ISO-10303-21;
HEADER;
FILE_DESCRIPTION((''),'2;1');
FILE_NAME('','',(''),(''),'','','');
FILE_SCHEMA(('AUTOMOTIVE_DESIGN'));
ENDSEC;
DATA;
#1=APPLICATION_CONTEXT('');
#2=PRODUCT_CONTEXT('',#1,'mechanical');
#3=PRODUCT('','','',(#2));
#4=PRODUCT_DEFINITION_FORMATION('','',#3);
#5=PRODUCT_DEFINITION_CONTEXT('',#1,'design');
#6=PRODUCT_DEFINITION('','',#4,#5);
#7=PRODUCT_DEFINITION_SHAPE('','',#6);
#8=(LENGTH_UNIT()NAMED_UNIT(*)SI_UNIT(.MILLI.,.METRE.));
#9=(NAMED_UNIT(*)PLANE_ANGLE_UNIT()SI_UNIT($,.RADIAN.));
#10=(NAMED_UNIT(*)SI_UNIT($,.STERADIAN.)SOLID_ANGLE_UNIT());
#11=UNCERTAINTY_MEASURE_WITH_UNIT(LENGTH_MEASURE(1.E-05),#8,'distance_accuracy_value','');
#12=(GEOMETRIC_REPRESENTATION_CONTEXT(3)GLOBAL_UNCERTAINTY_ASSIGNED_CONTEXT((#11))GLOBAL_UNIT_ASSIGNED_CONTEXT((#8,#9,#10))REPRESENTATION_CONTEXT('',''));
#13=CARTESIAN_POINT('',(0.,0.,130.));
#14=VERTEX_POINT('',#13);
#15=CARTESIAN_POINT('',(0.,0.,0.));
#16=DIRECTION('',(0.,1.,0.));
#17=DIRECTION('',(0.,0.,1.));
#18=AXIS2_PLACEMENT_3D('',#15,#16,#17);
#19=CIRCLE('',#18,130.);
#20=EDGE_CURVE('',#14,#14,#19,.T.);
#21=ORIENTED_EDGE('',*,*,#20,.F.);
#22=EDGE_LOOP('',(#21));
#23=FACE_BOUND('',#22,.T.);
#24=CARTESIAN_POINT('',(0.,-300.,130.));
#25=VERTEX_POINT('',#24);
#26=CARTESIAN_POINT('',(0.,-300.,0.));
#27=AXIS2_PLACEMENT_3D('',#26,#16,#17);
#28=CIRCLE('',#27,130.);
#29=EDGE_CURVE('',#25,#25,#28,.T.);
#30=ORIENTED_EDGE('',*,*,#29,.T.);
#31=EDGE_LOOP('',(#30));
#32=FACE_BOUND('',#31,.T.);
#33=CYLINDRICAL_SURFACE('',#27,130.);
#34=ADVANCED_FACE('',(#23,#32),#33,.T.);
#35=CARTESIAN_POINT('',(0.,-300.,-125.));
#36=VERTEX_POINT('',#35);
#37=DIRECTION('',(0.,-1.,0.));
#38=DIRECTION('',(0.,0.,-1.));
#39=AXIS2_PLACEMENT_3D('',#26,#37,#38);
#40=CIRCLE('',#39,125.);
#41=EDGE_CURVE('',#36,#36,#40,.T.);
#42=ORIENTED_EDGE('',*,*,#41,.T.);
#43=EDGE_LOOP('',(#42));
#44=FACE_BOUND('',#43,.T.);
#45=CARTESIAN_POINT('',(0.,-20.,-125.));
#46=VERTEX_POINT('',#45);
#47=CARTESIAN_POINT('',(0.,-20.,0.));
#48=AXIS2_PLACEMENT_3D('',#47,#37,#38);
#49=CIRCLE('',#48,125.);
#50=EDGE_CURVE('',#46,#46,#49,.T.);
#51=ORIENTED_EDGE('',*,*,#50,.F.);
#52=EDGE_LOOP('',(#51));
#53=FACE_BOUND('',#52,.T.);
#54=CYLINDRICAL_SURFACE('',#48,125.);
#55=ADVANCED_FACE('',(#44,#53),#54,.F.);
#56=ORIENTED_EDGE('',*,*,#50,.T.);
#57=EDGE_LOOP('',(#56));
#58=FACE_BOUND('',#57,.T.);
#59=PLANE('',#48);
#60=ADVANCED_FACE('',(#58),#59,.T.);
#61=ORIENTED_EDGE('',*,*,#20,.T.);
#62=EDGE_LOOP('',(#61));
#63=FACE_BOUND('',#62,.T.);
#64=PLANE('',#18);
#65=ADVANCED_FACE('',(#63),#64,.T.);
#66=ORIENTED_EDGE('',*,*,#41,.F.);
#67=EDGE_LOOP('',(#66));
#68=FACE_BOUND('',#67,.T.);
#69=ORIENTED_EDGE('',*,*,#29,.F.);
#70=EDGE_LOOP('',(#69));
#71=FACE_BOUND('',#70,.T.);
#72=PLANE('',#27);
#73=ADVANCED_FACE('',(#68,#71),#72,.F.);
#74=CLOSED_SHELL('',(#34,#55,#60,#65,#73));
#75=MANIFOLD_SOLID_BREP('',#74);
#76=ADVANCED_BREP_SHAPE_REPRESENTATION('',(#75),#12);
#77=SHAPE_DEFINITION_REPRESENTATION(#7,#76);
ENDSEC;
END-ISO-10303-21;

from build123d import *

# Parameters (mm, degrees)
SKETCH1_R           = 130
BOSS_EXTRUDE1_DEPTH = 300
SKETCH2_R           = 125
CUT_EXTRUDE1_DEPTH  = 280


with BuildPart() as part:
    # Sketch1 → Boss-Extrude1 (new body)
    with BuildSketch(Plane(origin=(0, 0, 0), x_dir=(1, 0, 0), z_dir=(0, 1, 0))):
        Circle(SKETCH1_R)
    extrude(amount=-BOSS_EXTRUDE1_DEPTH)

    # Sketch2 → Cut-Extrude1 (cut)
    with BuildSketch(Plane(origin=(0, -300, 0), x_dir=(-1, 0, 0), z_dir=(0, -1, 0))):
        Circle(SKETCH2_R)
    extrude(amount=-CUT_EXTRUDE1_DEPTH, mode=Mode.SUBTRACT)


solid = part.part
